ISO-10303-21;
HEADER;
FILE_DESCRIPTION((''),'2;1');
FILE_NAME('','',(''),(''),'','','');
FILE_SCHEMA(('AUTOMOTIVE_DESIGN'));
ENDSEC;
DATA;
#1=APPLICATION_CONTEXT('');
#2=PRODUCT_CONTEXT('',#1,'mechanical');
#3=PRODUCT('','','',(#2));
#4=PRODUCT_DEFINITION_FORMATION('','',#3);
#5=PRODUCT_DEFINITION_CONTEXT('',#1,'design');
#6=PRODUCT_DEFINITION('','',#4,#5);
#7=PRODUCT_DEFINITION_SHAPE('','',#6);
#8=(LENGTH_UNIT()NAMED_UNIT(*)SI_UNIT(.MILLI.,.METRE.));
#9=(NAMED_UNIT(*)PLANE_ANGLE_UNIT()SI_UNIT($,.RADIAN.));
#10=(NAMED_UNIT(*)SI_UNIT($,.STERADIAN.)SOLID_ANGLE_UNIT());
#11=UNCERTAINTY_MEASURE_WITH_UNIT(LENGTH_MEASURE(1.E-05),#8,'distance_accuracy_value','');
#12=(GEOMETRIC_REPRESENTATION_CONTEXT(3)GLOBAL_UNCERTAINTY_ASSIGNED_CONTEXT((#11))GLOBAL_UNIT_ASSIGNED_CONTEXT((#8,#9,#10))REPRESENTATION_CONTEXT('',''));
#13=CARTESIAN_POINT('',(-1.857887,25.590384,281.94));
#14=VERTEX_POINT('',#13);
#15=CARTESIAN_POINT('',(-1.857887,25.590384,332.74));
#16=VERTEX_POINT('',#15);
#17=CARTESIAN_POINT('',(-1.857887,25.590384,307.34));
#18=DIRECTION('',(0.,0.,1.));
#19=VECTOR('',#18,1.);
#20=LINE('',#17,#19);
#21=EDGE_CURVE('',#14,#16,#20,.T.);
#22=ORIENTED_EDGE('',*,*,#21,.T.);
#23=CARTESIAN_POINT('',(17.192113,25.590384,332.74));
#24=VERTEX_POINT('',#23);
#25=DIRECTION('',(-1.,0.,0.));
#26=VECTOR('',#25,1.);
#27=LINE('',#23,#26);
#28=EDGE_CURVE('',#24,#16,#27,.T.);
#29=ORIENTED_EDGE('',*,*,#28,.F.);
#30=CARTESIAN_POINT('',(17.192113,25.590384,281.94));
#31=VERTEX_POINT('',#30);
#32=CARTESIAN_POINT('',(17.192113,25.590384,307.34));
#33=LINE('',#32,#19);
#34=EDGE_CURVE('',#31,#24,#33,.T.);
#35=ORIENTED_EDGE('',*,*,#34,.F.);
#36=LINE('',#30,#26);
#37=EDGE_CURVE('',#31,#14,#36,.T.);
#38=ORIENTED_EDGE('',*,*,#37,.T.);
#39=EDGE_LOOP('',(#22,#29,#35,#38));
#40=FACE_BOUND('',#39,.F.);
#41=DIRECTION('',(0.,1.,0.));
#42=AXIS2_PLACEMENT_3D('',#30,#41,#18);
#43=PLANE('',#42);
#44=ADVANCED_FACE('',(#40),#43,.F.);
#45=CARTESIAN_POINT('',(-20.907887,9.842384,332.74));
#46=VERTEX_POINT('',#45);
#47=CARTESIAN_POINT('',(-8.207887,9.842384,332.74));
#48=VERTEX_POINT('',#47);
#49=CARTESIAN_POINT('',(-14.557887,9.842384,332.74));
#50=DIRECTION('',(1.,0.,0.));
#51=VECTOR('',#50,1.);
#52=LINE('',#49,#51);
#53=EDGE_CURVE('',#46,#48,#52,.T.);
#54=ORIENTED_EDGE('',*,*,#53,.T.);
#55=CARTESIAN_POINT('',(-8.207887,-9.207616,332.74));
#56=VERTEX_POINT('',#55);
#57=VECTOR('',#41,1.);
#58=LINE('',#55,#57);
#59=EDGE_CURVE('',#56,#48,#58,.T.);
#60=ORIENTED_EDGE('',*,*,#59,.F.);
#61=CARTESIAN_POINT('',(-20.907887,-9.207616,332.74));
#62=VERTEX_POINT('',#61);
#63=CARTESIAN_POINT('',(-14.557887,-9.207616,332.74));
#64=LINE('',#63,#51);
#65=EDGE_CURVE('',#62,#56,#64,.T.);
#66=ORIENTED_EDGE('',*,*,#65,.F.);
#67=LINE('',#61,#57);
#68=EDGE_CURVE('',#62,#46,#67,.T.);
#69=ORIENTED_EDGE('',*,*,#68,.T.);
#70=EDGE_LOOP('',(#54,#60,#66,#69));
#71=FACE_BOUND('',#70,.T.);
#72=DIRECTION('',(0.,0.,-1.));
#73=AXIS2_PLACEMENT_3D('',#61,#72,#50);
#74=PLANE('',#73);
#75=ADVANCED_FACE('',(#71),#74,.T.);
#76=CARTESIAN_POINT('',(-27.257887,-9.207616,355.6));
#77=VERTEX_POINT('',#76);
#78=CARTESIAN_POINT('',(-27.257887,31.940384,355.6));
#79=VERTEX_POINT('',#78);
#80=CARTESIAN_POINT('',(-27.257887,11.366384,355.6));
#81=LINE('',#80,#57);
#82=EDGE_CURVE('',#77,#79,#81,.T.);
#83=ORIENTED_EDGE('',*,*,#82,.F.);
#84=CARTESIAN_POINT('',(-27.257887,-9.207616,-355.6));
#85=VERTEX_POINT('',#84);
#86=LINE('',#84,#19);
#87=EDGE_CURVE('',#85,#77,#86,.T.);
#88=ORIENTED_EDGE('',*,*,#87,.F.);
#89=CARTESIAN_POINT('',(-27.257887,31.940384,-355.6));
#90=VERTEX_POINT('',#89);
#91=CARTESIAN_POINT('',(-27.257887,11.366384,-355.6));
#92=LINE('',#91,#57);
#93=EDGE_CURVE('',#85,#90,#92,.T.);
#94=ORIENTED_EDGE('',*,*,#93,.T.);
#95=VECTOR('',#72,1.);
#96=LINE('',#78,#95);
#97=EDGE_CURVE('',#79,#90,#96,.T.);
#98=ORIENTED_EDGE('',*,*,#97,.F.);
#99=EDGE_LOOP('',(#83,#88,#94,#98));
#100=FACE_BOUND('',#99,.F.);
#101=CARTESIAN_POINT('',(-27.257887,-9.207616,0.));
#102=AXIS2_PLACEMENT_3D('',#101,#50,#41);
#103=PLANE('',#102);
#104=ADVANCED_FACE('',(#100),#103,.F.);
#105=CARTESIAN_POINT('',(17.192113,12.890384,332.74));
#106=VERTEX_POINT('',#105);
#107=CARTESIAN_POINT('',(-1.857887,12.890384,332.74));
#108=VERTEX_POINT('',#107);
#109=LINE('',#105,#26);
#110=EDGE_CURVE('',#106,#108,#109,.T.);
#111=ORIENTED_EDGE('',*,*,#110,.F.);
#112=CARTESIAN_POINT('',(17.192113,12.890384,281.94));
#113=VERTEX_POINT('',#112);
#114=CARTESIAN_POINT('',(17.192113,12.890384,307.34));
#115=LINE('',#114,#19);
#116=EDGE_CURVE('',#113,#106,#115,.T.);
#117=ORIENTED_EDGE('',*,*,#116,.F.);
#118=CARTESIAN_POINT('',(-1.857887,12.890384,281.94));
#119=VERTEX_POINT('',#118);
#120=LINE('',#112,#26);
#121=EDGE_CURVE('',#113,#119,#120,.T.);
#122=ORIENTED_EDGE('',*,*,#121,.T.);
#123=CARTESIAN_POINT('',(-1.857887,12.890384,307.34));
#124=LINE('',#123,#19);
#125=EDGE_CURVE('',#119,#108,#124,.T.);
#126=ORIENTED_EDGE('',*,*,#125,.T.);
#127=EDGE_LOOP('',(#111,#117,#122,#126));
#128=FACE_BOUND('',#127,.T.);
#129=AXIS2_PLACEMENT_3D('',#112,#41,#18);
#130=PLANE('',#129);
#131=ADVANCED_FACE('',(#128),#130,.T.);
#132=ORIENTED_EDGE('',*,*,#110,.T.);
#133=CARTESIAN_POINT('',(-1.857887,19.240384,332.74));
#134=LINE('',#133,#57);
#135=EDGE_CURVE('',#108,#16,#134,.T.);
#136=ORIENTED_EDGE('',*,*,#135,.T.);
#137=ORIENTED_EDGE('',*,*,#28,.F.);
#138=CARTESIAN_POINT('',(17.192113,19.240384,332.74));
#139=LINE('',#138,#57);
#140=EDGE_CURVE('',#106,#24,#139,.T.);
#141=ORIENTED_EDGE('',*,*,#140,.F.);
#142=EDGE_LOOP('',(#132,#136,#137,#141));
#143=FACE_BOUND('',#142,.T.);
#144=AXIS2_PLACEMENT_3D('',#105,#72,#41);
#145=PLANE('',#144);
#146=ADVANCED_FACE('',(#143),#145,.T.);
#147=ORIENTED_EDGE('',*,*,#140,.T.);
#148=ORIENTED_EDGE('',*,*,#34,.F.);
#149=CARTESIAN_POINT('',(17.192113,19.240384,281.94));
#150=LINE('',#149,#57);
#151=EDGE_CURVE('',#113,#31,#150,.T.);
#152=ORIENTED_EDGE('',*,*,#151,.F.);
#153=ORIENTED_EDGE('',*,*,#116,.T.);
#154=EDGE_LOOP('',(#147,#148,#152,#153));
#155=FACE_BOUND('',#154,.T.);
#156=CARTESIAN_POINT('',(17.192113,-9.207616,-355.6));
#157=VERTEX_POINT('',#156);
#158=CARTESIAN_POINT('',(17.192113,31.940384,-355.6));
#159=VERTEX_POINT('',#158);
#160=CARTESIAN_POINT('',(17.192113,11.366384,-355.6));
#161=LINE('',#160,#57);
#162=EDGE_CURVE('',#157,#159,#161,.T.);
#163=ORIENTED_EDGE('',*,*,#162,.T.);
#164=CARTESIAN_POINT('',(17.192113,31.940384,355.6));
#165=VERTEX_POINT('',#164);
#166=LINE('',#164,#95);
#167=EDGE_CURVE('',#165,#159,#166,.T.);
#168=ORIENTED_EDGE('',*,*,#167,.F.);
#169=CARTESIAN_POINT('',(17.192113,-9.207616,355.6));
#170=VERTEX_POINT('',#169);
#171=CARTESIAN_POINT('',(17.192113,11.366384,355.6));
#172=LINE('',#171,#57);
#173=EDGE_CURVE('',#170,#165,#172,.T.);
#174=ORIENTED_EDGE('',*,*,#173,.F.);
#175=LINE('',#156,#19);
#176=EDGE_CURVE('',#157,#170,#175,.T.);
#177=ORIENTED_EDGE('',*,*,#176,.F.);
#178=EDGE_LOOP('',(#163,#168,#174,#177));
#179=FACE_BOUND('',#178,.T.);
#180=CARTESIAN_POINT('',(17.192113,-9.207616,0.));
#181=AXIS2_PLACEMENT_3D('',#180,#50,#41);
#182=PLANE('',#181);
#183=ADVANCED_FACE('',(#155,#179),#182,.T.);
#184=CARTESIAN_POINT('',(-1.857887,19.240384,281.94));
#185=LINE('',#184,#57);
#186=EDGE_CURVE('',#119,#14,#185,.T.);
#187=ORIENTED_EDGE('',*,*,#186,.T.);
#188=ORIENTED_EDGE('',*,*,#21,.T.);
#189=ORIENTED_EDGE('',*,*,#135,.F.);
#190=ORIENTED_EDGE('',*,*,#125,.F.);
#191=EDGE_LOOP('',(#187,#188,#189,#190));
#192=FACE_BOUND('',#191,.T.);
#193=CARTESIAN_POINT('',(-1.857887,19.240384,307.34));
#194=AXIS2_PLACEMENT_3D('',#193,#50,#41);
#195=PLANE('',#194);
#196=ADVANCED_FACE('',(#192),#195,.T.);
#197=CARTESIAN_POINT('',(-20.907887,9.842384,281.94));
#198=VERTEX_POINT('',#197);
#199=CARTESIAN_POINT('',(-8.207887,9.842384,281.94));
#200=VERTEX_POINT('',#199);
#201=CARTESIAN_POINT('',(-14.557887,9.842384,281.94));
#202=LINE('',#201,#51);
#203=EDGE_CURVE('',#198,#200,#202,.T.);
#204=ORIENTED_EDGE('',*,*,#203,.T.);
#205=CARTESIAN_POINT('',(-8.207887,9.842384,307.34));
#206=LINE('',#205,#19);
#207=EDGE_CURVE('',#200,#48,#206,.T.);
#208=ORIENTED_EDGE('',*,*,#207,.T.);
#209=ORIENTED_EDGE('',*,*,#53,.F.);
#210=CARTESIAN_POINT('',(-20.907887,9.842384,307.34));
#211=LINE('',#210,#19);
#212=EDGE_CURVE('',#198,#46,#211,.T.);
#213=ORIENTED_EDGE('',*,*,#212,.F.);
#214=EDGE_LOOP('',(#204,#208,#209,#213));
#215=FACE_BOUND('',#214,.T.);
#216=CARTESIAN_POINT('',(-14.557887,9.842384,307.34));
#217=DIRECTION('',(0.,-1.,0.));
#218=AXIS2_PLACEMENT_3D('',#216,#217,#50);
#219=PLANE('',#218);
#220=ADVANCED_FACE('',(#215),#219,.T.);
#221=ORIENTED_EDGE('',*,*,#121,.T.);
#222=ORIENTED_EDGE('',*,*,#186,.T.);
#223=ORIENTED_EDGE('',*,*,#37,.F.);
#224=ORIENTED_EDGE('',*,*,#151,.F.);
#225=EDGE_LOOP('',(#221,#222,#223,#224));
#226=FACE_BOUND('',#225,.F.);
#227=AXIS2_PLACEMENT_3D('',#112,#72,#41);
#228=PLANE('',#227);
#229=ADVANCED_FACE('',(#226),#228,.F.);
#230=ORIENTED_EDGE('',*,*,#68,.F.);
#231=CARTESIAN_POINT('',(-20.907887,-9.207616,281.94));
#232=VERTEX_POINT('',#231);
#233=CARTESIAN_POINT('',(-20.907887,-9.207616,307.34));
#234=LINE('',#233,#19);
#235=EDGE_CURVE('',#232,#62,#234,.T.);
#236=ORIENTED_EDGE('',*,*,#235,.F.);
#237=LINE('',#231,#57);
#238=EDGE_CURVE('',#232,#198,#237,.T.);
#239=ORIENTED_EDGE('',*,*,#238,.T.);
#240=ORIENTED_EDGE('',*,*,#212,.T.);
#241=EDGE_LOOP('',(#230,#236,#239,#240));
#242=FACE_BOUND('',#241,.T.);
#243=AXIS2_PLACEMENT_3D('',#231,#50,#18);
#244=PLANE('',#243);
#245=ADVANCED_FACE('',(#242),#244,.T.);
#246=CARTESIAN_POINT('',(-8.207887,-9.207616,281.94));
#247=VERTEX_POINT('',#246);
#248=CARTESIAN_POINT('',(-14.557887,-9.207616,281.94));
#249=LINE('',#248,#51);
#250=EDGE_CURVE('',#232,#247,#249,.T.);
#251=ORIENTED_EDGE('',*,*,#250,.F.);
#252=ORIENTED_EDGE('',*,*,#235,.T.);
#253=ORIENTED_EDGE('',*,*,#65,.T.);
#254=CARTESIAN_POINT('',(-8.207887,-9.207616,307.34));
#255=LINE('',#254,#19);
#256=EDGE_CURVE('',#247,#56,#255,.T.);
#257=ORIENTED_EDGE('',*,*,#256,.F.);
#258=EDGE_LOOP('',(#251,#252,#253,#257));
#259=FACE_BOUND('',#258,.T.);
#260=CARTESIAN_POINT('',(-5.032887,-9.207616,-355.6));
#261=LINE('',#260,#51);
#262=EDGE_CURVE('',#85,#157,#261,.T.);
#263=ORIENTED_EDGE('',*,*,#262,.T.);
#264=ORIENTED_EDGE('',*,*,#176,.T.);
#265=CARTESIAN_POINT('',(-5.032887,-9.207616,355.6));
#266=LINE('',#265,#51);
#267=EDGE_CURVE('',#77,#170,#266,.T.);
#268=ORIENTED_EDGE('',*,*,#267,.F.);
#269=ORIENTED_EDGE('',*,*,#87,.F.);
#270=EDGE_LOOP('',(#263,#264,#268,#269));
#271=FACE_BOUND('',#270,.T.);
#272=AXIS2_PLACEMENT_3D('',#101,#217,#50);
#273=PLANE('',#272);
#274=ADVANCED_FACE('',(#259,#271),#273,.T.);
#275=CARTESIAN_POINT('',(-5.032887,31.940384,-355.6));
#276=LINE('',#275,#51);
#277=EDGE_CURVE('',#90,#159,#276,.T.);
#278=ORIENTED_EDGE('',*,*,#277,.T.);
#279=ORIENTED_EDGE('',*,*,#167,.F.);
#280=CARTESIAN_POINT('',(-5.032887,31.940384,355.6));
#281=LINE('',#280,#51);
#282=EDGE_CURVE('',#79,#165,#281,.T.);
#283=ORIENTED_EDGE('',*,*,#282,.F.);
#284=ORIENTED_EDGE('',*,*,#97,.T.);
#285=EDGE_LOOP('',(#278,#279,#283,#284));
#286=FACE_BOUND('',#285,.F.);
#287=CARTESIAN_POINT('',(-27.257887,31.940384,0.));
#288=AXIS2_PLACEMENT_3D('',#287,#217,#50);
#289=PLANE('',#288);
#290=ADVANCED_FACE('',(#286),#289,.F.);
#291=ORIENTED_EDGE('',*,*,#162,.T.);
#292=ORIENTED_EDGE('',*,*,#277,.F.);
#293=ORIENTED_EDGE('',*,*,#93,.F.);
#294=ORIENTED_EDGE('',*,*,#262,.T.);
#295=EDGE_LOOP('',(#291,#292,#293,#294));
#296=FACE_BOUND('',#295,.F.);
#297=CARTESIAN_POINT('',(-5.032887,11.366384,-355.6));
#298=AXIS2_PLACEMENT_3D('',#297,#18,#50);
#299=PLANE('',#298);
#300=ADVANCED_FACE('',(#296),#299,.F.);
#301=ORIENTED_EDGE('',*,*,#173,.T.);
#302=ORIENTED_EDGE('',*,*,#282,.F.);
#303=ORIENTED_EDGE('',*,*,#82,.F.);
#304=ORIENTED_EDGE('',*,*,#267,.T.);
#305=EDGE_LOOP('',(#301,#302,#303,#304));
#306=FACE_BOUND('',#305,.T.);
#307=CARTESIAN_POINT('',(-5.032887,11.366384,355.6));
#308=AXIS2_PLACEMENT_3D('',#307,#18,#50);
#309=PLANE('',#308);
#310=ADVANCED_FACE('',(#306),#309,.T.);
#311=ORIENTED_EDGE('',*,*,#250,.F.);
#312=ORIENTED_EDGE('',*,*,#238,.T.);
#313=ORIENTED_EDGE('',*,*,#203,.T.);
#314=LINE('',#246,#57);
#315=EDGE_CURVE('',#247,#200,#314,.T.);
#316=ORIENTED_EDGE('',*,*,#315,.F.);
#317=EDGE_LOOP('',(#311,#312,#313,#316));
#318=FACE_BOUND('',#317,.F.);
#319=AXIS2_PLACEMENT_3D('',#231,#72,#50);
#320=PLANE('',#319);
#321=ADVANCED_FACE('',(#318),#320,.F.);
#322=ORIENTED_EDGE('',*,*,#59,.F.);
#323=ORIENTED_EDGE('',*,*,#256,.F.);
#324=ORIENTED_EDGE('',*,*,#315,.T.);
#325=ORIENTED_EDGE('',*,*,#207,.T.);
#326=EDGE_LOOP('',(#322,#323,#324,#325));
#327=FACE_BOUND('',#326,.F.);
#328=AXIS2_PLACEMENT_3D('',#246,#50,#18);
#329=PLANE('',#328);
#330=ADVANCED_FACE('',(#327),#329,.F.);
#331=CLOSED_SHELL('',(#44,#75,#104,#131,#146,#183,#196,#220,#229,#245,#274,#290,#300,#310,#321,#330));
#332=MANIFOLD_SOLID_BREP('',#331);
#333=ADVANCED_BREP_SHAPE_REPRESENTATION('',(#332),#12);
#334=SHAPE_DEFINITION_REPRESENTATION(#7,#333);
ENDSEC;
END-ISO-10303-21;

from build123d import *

# Parameters (mm, degrees)
F0_W     = 44.45
F0_H     = 41.148
F1_DEPTH = 355.6
F2_W     = 12.7
F2_H     = 50.8
F3_DEPTH = 19.05
F4_W     = 12.7
F4_H     = 50.8
F5_DEPTH = 19.05


with BuildPart() as f1:
    # F0 (on Top) → F1 (new body, symmetric)
    with BuildSketch(Plane.XY):
        with Locations((-5.032887, 11.366384)):
            Rectangle(F0_W, F0_H)
    extrude(amount=F1_DEPTH, both=True)

    # F2 (on face) → F3 (cut)
    with BuildSketch(Plane.XZ.offset(9.207616)):
        with Locations((-14.557887, 307.34)):
            Rectangle(F2_W, F2_H)
    extrude(amount=-F3_DEPTH, mode=Mode.SUBTRACT)

    # F4 (on face) → F5 (cut)
    with BuildSketch(Plane.YZ.offset(17.192113)):
        with Locations((19.240384, 307.34)):
            Rectangle(F4_W, F4_H)
    extrude(amount=-F5_DEPTH, mode=Mode.SUBTRACT)


with BuildPart() as f6_1:
    # F6: copy of F1
    add(f1.part)


with BuildPart() as f8_1:
    # F8: copy of F1
    add(f1.part)


with BuildPart() as f10_1:
    # F10: copy of F1
    add(f1.part)


solid = f1.part
